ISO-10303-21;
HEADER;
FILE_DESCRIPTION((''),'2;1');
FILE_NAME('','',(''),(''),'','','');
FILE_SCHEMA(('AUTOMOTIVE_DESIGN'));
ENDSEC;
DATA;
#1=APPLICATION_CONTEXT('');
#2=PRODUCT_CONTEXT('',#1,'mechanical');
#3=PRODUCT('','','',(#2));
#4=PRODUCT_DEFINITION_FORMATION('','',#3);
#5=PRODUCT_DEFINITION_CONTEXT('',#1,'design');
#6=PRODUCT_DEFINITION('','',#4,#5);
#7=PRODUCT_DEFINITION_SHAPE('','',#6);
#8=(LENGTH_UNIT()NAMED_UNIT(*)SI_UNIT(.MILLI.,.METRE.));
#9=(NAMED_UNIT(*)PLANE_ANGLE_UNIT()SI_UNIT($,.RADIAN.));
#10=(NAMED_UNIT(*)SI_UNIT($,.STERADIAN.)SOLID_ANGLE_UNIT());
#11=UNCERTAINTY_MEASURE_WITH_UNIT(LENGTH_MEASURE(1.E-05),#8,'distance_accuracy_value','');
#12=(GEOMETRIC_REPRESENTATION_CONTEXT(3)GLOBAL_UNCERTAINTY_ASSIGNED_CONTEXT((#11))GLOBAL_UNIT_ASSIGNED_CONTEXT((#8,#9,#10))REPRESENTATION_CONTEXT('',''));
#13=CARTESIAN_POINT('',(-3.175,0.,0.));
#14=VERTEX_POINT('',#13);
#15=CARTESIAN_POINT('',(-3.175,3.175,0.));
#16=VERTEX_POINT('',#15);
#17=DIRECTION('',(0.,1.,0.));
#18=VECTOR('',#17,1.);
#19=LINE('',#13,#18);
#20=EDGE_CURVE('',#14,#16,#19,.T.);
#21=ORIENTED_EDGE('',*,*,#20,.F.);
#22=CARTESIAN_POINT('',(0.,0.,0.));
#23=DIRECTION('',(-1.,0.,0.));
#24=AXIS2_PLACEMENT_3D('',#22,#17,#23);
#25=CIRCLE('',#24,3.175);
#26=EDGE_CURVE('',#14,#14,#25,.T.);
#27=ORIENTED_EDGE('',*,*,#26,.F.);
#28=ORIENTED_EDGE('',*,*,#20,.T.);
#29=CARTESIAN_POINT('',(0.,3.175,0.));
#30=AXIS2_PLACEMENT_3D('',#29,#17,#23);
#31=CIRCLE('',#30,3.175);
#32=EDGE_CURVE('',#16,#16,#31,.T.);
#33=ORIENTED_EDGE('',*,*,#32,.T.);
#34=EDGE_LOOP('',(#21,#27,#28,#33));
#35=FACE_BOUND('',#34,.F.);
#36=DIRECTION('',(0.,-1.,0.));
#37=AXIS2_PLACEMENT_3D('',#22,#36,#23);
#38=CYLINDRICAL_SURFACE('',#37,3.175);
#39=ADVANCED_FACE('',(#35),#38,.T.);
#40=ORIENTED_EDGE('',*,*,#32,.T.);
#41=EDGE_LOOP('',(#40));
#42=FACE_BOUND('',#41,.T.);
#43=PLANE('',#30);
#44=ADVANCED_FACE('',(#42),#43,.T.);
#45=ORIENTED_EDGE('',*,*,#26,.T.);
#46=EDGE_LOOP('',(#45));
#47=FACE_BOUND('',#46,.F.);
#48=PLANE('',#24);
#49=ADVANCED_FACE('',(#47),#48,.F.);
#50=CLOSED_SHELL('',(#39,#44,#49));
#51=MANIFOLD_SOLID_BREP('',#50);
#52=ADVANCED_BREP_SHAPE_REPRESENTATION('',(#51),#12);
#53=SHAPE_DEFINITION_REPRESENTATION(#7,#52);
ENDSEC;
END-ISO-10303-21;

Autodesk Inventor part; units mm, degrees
ref_plane "YZ Plane" through (0, 0, 0) normal (1, 0, 0) x (0, 1, 0)
ref_plane "XZ Plane" through (0, 0, 0) normal (0, 1, 0) x (-1, 0, 0)
ref_plane "XY Plane" through (0, 0, 0) normal (0, 0, 1) x (1, 0, 0)
sketch "Sketch1" plane through (0, 0, 0) normal (0, 1, 0) x (-1, 0, 0)
  circle A0 centre (0, 0) radius 3.175
  dimension "d0" = 6.35
extrude "Extrusion1" add sketch "Sketch1" along normal blind 3.175
properties part number "Magnet" material "Nickel-Copper Alloy 400"
